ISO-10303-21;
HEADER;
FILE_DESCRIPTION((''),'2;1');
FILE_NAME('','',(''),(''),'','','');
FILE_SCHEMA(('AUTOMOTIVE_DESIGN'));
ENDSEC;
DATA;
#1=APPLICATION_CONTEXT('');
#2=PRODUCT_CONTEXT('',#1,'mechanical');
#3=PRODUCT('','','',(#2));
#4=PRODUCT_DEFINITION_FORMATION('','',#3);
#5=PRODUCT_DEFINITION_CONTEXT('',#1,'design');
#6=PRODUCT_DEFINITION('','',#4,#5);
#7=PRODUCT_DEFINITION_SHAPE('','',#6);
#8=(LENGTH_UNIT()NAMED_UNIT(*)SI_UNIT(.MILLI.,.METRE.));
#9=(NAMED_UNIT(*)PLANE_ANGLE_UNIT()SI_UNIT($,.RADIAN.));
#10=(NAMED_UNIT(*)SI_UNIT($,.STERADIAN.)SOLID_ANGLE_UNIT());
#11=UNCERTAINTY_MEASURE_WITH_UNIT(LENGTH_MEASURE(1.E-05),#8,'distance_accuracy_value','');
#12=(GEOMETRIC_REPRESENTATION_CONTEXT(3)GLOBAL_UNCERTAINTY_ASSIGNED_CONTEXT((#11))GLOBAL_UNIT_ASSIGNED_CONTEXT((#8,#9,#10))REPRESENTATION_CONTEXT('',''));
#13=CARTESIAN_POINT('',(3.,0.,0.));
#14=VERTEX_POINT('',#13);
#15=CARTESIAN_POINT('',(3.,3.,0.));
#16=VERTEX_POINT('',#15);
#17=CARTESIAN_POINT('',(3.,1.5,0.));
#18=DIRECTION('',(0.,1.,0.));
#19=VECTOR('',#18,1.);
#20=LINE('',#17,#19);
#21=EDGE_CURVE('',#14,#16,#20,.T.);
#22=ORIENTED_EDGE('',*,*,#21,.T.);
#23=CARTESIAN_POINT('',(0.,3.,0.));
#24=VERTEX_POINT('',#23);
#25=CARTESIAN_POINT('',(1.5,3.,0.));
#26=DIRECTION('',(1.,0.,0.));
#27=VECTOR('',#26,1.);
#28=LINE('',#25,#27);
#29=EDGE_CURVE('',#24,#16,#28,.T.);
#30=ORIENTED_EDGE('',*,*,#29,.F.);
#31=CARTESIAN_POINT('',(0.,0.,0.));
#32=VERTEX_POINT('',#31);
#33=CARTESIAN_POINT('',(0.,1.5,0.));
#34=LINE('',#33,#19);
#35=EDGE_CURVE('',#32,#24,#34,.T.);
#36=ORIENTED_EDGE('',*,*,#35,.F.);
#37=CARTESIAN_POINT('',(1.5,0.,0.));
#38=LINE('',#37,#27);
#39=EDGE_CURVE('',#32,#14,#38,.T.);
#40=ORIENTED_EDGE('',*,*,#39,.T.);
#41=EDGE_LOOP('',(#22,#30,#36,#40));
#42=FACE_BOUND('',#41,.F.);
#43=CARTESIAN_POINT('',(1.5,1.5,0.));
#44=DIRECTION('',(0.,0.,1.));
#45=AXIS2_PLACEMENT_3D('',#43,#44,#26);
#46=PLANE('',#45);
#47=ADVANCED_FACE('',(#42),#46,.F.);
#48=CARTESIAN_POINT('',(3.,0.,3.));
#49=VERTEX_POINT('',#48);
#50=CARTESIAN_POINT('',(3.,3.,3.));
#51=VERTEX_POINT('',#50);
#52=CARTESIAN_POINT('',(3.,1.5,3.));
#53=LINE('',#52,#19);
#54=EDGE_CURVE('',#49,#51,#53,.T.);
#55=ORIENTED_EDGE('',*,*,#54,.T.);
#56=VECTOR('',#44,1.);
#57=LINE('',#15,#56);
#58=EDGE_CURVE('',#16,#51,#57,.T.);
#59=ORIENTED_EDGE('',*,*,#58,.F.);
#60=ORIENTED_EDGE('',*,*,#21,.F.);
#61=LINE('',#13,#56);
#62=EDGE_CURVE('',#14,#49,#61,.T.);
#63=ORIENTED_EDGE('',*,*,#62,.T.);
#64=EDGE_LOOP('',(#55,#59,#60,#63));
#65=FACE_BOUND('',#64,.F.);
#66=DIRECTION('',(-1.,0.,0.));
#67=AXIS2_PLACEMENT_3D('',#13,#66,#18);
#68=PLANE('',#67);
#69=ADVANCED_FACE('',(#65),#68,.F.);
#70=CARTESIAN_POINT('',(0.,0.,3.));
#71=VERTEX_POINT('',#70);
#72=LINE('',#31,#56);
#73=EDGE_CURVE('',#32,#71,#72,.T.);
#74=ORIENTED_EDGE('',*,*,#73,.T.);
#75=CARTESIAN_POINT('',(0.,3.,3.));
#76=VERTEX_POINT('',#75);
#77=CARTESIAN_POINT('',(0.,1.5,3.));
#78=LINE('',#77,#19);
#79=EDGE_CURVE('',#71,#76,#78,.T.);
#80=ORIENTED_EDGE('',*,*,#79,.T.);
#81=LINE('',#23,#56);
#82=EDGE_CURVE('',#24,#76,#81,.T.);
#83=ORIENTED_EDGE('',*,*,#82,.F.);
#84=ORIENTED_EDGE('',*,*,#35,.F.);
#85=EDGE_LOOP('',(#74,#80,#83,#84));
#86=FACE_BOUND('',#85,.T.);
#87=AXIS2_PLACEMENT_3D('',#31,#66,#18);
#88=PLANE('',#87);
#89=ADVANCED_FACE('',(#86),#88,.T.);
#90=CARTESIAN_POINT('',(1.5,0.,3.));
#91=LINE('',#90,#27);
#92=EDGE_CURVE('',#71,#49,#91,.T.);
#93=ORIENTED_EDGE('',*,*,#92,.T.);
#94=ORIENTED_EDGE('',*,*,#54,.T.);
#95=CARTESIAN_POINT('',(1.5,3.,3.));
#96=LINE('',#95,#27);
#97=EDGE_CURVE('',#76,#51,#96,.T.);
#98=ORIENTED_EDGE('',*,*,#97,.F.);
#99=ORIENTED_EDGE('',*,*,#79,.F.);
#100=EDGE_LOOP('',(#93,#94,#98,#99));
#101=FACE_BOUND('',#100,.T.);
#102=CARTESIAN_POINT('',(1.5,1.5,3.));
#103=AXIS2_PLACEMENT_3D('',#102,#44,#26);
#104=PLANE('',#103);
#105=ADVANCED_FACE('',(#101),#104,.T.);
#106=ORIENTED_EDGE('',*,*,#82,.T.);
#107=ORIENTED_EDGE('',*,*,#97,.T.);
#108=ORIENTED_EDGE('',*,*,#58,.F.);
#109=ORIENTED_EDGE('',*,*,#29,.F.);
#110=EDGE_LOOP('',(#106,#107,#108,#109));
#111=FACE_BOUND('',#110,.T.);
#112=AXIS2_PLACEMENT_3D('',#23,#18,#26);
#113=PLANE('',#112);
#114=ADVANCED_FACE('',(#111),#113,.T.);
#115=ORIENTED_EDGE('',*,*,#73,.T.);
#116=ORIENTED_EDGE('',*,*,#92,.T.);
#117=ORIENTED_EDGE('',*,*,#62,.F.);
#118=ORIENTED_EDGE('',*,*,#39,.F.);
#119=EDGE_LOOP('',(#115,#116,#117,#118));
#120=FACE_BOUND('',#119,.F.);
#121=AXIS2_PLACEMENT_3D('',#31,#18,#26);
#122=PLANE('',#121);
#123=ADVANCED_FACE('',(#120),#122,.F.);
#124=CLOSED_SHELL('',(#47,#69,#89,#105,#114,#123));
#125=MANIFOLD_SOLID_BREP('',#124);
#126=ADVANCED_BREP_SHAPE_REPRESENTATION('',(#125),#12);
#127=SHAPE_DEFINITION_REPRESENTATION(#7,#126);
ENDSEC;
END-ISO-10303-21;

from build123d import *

# Parameters (mm, degrees)
SKETCH_W  = 3
SKETCH_H  = 3
PAD_DEPTH = 3


with BuildPart() as part:
    # Sketch → Pad (new body)
    with BuildSketch(Plane.XY):
        with Locations((1.5, 1.5)):
            Rectangle(SKETCH_W, SKETCH_H)
    extrude(amount=PAD_DEPTH)


solid = part.part
